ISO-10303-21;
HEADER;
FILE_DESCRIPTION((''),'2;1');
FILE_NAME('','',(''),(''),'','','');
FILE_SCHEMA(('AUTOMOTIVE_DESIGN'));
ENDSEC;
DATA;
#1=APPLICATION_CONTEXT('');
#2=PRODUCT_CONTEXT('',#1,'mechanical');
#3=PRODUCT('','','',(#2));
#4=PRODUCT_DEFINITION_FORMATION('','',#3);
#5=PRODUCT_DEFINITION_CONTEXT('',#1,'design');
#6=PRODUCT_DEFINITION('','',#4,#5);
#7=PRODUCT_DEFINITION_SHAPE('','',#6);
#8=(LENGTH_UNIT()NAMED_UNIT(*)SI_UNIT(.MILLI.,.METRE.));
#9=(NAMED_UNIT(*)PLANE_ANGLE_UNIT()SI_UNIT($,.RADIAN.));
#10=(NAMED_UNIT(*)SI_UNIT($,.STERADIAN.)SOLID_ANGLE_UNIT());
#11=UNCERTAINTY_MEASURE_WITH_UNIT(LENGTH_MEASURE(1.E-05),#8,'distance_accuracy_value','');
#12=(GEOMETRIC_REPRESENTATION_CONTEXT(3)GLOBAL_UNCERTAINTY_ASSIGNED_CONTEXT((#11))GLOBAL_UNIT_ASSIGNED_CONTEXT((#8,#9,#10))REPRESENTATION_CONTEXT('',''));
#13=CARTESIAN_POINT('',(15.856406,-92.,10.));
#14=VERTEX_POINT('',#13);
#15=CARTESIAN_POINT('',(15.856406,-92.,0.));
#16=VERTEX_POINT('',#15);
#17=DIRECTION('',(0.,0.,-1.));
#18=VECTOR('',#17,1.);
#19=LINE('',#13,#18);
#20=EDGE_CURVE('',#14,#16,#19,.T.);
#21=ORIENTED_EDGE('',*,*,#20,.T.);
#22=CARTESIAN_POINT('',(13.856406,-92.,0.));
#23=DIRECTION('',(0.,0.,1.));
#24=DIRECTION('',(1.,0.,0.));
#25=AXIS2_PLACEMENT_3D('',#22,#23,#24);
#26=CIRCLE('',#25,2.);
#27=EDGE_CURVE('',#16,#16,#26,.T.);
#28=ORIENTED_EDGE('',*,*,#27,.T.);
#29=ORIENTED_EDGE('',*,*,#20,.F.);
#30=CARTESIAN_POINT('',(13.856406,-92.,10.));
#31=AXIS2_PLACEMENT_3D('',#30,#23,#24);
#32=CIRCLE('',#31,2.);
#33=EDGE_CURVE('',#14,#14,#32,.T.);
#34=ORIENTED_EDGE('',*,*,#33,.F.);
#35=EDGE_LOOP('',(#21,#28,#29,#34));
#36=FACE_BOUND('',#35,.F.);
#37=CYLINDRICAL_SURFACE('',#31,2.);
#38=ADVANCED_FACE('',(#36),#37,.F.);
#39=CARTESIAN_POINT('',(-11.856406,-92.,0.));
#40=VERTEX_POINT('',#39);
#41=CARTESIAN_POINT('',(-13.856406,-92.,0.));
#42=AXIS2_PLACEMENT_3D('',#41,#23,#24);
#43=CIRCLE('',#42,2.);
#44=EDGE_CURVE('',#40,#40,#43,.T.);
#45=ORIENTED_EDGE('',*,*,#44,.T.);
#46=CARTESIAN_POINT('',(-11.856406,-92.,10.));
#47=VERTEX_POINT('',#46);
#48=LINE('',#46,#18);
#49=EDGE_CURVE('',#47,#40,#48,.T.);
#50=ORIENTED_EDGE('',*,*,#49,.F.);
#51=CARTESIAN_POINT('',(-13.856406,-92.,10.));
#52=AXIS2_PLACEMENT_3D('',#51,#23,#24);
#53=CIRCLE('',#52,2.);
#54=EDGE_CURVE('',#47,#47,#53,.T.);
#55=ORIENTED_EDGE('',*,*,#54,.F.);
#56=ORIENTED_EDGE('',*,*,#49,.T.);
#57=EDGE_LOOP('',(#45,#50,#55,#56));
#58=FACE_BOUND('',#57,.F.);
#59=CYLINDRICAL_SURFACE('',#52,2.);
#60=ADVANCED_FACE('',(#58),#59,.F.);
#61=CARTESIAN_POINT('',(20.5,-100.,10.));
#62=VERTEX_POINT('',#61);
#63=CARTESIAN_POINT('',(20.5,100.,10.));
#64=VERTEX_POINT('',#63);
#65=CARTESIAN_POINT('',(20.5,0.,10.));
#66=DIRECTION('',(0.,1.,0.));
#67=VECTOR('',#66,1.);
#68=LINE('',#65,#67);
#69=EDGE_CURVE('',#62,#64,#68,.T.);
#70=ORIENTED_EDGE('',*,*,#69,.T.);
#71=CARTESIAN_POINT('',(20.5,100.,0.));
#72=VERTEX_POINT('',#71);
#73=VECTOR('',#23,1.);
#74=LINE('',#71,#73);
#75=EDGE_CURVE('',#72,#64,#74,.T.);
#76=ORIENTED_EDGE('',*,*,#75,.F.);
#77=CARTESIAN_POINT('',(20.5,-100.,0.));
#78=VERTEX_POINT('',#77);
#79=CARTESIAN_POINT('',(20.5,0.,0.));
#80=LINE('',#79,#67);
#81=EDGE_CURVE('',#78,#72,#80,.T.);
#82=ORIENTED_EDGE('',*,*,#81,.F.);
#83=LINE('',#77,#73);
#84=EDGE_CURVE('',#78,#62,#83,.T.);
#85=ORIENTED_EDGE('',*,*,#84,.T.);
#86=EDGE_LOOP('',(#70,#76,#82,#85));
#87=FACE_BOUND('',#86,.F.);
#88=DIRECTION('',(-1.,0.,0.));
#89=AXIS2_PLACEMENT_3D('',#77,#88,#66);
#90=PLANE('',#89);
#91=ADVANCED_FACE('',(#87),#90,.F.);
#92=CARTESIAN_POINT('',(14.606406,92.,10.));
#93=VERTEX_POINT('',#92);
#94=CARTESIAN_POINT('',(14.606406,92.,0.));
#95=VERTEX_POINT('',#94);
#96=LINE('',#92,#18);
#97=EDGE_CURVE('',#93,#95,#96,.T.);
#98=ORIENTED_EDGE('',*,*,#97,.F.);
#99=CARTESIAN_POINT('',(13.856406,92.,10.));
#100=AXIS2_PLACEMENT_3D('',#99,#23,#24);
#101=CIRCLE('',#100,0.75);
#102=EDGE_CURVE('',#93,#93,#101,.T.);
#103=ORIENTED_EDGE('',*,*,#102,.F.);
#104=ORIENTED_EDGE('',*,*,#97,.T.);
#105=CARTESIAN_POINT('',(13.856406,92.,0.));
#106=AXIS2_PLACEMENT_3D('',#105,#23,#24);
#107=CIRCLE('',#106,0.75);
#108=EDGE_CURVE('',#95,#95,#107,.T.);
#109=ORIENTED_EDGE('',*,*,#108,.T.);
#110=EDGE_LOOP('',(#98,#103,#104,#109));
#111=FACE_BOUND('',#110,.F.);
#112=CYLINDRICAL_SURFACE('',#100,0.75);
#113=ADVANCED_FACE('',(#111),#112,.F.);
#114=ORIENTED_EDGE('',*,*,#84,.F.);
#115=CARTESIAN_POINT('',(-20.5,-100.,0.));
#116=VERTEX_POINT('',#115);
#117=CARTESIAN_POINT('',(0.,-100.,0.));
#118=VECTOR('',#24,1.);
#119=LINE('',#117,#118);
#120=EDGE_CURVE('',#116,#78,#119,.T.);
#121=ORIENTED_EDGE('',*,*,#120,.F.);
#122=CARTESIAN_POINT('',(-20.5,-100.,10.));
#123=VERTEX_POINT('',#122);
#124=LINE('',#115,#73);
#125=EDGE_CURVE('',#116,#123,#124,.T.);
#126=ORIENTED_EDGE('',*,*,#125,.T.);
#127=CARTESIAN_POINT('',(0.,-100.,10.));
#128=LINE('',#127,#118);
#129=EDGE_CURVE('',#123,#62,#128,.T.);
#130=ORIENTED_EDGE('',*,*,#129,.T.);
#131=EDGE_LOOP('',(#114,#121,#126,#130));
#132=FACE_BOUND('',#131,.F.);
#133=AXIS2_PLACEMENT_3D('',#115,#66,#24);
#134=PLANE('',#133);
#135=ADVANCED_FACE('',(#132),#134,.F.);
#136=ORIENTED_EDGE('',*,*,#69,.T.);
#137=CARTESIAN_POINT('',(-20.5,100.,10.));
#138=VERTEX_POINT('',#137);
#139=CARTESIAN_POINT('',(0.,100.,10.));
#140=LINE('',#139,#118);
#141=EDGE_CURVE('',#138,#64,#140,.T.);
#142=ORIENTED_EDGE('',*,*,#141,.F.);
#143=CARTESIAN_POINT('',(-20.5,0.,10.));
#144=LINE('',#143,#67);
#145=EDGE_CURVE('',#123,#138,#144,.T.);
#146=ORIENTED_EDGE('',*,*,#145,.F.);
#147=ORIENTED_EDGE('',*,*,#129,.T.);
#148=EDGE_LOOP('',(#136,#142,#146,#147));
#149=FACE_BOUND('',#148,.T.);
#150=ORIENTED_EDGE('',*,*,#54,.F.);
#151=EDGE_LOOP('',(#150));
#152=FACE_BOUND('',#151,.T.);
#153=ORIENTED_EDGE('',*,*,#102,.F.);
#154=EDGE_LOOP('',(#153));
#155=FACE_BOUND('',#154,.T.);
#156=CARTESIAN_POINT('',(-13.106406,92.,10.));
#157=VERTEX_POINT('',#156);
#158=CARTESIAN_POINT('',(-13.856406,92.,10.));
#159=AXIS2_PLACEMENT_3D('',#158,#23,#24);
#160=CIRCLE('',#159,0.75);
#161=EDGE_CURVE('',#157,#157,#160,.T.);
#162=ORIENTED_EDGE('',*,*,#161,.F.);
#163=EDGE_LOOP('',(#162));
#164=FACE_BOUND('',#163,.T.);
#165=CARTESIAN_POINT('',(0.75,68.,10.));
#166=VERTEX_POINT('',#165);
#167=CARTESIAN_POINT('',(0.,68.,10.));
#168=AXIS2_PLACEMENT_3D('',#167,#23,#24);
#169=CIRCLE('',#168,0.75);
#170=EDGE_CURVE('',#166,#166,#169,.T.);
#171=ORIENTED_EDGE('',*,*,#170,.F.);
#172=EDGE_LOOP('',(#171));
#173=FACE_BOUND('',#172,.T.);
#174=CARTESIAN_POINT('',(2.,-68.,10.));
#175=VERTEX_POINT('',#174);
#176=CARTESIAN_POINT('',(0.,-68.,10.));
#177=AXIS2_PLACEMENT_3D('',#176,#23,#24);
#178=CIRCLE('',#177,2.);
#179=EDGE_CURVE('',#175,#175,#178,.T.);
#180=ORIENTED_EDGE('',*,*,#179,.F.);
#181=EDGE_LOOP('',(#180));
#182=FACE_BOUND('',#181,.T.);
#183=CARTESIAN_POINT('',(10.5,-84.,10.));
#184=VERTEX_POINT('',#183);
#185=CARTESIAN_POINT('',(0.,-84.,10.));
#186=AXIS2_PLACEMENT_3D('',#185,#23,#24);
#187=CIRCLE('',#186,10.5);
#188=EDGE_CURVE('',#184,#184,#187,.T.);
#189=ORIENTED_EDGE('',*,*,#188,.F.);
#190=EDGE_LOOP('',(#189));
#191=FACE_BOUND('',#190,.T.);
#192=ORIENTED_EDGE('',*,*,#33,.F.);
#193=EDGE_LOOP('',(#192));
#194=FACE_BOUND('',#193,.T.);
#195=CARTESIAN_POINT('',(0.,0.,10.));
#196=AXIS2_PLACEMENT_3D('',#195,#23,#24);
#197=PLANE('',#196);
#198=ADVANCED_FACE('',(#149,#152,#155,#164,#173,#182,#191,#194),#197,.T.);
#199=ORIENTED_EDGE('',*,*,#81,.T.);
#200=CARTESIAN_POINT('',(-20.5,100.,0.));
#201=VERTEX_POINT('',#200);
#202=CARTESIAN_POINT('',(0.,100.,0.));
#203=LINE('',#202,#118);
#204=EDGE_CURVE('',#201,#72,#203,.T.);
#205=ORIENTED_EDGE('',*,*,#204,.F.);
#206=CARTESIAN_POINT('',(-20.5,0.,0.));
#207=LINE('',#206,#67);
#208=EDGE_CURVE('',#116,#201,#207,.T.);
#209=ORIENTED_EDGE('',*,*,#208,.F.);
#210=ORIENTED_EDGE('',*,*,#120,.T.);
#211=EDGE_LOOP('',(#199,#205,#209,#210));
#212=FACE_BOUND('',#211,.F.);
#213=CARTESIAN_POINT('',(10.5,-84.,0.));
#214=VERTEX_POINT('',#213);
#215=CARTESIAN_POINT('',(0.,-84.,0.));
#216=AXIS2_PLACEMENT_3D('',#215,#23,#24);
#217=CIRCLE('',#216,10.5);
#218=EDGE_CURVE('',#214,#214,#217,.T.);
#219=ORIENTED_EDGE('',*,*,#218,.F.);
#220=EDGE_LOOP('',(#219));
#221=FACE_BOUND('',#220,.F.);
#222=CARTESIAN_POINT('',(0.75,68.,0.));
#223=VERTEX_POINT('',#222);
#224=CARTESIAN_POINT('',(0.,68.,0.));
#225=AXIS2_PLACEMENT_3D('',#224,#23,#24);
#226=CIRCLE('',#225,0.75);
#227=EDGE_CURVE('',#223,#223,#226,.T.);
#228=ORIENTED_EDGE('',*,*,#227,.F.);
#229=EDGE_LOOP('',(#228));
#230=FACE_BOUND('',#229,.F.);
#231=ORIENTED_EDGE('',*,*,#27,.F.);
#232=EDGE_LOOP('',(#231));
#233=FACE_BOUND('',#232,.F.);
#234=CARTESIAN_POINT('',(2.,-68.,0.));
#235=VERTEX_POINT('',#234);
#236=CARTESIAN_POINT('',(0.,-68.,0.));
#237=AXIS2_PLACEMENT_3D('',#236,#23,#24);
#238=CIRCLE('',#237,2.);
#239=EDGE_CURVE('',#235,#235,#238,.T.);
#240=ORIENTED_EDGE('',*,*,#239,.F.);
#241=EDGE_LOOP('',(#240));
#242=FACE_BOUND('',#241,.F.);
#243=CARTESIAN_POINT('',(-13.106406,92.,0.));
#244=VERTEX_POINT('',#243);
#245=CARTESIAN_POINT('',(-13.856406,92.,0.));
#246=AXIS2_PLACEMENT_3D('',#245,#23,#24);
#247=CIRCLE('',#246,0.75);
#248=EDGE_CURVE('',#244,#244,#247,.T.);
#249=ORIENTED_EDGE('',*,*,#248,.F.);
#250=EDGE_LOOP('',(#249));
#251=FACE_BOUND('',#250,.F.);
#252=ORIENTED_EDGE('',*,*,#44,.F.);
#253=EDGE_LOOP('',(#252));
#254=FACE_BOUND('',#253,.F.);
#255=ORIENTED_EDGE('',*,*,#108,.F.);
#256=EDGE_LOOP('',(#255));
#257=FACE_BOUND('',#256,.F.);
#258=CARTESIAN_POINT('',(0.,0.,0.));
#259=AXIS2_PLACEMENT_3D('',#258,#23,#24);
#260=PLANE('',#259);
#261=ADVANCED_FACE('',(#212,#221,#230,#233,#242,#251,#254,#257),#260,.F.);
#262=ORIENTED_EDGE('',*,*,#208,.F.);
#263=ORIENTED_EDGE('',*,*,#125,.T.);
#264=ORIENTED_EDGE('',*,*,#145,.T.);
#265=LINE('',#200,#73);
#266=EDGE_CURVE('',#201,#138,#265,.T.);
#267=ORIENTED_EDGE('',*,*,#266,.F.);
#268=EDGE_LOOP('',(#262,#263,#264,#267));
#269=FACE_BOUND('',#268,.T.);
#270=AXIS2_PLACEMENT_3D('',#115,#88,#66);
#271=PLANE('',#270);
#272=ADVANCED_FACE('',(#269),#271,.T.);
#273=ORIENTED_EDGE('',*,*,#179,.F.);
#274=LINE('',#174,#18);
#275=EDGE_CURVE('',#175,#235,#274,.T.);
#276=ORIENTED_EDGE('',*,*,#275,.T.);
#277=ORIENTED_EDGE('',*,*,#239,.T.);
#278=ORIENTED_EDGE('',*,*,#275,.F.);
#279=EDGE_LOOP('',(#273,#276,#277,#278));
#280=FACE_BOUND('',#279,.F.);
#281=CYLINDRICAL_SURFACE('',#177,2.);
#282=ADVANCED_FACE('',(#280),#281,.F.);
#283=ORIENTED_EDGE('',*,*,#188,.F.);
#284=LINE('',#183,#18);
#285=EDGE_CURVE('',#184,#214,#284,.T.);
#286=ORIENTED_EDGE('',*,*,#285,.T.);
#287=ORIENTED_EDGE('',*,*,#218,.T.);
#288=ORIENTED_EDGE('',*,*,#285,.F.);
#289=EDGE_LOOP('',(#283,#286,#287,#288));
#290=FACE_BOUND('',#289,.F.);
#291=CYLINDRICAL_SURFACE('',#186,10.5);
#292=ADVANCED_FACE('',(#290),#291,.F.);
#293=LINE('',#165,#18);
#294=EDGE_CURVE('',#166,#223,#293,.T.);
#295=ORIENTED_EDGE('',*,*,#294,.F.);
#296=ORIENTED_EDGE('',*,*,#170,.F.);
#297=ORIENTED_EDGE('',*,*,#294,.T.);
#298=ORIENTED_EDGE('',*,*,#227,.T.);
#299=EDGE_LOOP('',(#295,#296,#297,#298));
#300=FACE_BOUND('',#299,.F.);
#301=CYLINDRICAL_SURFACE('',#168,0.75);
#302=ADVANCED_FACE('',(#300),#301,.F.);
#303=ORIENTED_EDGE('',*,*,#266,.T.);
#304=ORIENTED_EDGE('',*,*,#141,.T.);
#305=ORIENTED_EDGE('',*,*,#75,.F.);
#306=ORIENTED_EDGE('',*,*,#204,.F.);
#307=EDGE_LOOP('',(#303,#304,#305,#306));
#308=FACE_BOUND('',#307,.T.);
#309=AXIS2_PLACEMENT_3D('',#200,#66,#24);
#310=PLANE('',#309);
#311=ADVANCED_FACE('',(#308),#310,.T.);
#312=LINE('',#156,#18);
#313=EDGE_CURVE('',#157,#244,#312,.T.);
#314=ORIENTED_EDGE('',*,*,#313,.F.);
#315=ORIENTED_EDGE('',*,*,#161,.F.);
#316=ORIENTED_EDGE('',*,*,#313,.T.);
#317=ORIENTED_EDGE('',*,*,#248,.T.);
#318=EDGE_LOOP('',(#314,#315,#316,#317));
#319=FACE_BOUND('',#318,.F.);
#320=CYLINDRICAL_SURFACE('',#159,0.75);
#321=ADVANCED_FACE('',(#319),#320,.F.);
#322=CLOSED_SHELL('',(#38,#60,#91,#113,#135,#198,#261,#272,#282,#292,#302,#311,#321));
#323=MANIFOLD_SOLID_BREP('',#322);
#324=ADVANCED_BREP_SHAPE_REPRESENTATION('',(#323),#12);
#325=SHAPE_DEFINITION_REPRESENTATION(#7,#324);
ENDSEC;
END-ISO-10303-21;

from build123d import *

# Parameters (mm, degrees)
F0_W     = 41
F0_H     = 200
F1_DEPTH = 10
F2_R     = 2
F2_R_2   = 0.75
F2_R_3   = 10.5
F3_DEPTH = 25
F4_DEPTH = 25


with BuildPart() as f1:
    # F0 (on Top) → F1 (new body)
    with BuildSketch(Plane.XY):
        Rectangle(F0_W, F0_H)
    extrude(amount=F1_DEPTH)

    # F2 (on face) → F3 (cut)
    with BuildSketch(Plane.XY.offset(10)):
        with Locations((0, -68)):
            Circle(F2_R)
        with Locations((-13.856406, -92)):
            Circle(F2_R)
        with Locations((13.856406, -92)):
            Circle(F2_R)
        with Locations((0, 68)):
            Circle(F2_R_2)
        with Locations((-13.856406, 92)):
            Circle(F2_R_2)
        with Locations((13.856406, 92)):
            Circle(F2_R_2)
        with Locations((0, -84)):
            Circle(F2_R_3)
    extrude(amount=-F3_DEPTH, mode=Mode.SUBTRACT)

    # F2 (on face) → F4 (cut)
    with BuildSketch(Plane.XY.offset(10)):
        with Locations((0, -68)):
            Circle(F2_R)
        with Locations((-13.856406, -92)):
            Circle(F2_R)
        with Locations((13.856406, -92)):
            Circle(F2_R)
        with Locations((0, 68)):
            Circle(F2_R_2)
        with Locations((-13.856406, 92)):
            Circle(F2_R_2)
        with Locations((13.856406, 92)):
            Circle(F2_R_2)
        with Locations((0, -84)):
            Circle(F2_R_3)
    extrude(amount=-F4_DEPTH, mode=Mode.SUBTRACT)


solid = f1.part
